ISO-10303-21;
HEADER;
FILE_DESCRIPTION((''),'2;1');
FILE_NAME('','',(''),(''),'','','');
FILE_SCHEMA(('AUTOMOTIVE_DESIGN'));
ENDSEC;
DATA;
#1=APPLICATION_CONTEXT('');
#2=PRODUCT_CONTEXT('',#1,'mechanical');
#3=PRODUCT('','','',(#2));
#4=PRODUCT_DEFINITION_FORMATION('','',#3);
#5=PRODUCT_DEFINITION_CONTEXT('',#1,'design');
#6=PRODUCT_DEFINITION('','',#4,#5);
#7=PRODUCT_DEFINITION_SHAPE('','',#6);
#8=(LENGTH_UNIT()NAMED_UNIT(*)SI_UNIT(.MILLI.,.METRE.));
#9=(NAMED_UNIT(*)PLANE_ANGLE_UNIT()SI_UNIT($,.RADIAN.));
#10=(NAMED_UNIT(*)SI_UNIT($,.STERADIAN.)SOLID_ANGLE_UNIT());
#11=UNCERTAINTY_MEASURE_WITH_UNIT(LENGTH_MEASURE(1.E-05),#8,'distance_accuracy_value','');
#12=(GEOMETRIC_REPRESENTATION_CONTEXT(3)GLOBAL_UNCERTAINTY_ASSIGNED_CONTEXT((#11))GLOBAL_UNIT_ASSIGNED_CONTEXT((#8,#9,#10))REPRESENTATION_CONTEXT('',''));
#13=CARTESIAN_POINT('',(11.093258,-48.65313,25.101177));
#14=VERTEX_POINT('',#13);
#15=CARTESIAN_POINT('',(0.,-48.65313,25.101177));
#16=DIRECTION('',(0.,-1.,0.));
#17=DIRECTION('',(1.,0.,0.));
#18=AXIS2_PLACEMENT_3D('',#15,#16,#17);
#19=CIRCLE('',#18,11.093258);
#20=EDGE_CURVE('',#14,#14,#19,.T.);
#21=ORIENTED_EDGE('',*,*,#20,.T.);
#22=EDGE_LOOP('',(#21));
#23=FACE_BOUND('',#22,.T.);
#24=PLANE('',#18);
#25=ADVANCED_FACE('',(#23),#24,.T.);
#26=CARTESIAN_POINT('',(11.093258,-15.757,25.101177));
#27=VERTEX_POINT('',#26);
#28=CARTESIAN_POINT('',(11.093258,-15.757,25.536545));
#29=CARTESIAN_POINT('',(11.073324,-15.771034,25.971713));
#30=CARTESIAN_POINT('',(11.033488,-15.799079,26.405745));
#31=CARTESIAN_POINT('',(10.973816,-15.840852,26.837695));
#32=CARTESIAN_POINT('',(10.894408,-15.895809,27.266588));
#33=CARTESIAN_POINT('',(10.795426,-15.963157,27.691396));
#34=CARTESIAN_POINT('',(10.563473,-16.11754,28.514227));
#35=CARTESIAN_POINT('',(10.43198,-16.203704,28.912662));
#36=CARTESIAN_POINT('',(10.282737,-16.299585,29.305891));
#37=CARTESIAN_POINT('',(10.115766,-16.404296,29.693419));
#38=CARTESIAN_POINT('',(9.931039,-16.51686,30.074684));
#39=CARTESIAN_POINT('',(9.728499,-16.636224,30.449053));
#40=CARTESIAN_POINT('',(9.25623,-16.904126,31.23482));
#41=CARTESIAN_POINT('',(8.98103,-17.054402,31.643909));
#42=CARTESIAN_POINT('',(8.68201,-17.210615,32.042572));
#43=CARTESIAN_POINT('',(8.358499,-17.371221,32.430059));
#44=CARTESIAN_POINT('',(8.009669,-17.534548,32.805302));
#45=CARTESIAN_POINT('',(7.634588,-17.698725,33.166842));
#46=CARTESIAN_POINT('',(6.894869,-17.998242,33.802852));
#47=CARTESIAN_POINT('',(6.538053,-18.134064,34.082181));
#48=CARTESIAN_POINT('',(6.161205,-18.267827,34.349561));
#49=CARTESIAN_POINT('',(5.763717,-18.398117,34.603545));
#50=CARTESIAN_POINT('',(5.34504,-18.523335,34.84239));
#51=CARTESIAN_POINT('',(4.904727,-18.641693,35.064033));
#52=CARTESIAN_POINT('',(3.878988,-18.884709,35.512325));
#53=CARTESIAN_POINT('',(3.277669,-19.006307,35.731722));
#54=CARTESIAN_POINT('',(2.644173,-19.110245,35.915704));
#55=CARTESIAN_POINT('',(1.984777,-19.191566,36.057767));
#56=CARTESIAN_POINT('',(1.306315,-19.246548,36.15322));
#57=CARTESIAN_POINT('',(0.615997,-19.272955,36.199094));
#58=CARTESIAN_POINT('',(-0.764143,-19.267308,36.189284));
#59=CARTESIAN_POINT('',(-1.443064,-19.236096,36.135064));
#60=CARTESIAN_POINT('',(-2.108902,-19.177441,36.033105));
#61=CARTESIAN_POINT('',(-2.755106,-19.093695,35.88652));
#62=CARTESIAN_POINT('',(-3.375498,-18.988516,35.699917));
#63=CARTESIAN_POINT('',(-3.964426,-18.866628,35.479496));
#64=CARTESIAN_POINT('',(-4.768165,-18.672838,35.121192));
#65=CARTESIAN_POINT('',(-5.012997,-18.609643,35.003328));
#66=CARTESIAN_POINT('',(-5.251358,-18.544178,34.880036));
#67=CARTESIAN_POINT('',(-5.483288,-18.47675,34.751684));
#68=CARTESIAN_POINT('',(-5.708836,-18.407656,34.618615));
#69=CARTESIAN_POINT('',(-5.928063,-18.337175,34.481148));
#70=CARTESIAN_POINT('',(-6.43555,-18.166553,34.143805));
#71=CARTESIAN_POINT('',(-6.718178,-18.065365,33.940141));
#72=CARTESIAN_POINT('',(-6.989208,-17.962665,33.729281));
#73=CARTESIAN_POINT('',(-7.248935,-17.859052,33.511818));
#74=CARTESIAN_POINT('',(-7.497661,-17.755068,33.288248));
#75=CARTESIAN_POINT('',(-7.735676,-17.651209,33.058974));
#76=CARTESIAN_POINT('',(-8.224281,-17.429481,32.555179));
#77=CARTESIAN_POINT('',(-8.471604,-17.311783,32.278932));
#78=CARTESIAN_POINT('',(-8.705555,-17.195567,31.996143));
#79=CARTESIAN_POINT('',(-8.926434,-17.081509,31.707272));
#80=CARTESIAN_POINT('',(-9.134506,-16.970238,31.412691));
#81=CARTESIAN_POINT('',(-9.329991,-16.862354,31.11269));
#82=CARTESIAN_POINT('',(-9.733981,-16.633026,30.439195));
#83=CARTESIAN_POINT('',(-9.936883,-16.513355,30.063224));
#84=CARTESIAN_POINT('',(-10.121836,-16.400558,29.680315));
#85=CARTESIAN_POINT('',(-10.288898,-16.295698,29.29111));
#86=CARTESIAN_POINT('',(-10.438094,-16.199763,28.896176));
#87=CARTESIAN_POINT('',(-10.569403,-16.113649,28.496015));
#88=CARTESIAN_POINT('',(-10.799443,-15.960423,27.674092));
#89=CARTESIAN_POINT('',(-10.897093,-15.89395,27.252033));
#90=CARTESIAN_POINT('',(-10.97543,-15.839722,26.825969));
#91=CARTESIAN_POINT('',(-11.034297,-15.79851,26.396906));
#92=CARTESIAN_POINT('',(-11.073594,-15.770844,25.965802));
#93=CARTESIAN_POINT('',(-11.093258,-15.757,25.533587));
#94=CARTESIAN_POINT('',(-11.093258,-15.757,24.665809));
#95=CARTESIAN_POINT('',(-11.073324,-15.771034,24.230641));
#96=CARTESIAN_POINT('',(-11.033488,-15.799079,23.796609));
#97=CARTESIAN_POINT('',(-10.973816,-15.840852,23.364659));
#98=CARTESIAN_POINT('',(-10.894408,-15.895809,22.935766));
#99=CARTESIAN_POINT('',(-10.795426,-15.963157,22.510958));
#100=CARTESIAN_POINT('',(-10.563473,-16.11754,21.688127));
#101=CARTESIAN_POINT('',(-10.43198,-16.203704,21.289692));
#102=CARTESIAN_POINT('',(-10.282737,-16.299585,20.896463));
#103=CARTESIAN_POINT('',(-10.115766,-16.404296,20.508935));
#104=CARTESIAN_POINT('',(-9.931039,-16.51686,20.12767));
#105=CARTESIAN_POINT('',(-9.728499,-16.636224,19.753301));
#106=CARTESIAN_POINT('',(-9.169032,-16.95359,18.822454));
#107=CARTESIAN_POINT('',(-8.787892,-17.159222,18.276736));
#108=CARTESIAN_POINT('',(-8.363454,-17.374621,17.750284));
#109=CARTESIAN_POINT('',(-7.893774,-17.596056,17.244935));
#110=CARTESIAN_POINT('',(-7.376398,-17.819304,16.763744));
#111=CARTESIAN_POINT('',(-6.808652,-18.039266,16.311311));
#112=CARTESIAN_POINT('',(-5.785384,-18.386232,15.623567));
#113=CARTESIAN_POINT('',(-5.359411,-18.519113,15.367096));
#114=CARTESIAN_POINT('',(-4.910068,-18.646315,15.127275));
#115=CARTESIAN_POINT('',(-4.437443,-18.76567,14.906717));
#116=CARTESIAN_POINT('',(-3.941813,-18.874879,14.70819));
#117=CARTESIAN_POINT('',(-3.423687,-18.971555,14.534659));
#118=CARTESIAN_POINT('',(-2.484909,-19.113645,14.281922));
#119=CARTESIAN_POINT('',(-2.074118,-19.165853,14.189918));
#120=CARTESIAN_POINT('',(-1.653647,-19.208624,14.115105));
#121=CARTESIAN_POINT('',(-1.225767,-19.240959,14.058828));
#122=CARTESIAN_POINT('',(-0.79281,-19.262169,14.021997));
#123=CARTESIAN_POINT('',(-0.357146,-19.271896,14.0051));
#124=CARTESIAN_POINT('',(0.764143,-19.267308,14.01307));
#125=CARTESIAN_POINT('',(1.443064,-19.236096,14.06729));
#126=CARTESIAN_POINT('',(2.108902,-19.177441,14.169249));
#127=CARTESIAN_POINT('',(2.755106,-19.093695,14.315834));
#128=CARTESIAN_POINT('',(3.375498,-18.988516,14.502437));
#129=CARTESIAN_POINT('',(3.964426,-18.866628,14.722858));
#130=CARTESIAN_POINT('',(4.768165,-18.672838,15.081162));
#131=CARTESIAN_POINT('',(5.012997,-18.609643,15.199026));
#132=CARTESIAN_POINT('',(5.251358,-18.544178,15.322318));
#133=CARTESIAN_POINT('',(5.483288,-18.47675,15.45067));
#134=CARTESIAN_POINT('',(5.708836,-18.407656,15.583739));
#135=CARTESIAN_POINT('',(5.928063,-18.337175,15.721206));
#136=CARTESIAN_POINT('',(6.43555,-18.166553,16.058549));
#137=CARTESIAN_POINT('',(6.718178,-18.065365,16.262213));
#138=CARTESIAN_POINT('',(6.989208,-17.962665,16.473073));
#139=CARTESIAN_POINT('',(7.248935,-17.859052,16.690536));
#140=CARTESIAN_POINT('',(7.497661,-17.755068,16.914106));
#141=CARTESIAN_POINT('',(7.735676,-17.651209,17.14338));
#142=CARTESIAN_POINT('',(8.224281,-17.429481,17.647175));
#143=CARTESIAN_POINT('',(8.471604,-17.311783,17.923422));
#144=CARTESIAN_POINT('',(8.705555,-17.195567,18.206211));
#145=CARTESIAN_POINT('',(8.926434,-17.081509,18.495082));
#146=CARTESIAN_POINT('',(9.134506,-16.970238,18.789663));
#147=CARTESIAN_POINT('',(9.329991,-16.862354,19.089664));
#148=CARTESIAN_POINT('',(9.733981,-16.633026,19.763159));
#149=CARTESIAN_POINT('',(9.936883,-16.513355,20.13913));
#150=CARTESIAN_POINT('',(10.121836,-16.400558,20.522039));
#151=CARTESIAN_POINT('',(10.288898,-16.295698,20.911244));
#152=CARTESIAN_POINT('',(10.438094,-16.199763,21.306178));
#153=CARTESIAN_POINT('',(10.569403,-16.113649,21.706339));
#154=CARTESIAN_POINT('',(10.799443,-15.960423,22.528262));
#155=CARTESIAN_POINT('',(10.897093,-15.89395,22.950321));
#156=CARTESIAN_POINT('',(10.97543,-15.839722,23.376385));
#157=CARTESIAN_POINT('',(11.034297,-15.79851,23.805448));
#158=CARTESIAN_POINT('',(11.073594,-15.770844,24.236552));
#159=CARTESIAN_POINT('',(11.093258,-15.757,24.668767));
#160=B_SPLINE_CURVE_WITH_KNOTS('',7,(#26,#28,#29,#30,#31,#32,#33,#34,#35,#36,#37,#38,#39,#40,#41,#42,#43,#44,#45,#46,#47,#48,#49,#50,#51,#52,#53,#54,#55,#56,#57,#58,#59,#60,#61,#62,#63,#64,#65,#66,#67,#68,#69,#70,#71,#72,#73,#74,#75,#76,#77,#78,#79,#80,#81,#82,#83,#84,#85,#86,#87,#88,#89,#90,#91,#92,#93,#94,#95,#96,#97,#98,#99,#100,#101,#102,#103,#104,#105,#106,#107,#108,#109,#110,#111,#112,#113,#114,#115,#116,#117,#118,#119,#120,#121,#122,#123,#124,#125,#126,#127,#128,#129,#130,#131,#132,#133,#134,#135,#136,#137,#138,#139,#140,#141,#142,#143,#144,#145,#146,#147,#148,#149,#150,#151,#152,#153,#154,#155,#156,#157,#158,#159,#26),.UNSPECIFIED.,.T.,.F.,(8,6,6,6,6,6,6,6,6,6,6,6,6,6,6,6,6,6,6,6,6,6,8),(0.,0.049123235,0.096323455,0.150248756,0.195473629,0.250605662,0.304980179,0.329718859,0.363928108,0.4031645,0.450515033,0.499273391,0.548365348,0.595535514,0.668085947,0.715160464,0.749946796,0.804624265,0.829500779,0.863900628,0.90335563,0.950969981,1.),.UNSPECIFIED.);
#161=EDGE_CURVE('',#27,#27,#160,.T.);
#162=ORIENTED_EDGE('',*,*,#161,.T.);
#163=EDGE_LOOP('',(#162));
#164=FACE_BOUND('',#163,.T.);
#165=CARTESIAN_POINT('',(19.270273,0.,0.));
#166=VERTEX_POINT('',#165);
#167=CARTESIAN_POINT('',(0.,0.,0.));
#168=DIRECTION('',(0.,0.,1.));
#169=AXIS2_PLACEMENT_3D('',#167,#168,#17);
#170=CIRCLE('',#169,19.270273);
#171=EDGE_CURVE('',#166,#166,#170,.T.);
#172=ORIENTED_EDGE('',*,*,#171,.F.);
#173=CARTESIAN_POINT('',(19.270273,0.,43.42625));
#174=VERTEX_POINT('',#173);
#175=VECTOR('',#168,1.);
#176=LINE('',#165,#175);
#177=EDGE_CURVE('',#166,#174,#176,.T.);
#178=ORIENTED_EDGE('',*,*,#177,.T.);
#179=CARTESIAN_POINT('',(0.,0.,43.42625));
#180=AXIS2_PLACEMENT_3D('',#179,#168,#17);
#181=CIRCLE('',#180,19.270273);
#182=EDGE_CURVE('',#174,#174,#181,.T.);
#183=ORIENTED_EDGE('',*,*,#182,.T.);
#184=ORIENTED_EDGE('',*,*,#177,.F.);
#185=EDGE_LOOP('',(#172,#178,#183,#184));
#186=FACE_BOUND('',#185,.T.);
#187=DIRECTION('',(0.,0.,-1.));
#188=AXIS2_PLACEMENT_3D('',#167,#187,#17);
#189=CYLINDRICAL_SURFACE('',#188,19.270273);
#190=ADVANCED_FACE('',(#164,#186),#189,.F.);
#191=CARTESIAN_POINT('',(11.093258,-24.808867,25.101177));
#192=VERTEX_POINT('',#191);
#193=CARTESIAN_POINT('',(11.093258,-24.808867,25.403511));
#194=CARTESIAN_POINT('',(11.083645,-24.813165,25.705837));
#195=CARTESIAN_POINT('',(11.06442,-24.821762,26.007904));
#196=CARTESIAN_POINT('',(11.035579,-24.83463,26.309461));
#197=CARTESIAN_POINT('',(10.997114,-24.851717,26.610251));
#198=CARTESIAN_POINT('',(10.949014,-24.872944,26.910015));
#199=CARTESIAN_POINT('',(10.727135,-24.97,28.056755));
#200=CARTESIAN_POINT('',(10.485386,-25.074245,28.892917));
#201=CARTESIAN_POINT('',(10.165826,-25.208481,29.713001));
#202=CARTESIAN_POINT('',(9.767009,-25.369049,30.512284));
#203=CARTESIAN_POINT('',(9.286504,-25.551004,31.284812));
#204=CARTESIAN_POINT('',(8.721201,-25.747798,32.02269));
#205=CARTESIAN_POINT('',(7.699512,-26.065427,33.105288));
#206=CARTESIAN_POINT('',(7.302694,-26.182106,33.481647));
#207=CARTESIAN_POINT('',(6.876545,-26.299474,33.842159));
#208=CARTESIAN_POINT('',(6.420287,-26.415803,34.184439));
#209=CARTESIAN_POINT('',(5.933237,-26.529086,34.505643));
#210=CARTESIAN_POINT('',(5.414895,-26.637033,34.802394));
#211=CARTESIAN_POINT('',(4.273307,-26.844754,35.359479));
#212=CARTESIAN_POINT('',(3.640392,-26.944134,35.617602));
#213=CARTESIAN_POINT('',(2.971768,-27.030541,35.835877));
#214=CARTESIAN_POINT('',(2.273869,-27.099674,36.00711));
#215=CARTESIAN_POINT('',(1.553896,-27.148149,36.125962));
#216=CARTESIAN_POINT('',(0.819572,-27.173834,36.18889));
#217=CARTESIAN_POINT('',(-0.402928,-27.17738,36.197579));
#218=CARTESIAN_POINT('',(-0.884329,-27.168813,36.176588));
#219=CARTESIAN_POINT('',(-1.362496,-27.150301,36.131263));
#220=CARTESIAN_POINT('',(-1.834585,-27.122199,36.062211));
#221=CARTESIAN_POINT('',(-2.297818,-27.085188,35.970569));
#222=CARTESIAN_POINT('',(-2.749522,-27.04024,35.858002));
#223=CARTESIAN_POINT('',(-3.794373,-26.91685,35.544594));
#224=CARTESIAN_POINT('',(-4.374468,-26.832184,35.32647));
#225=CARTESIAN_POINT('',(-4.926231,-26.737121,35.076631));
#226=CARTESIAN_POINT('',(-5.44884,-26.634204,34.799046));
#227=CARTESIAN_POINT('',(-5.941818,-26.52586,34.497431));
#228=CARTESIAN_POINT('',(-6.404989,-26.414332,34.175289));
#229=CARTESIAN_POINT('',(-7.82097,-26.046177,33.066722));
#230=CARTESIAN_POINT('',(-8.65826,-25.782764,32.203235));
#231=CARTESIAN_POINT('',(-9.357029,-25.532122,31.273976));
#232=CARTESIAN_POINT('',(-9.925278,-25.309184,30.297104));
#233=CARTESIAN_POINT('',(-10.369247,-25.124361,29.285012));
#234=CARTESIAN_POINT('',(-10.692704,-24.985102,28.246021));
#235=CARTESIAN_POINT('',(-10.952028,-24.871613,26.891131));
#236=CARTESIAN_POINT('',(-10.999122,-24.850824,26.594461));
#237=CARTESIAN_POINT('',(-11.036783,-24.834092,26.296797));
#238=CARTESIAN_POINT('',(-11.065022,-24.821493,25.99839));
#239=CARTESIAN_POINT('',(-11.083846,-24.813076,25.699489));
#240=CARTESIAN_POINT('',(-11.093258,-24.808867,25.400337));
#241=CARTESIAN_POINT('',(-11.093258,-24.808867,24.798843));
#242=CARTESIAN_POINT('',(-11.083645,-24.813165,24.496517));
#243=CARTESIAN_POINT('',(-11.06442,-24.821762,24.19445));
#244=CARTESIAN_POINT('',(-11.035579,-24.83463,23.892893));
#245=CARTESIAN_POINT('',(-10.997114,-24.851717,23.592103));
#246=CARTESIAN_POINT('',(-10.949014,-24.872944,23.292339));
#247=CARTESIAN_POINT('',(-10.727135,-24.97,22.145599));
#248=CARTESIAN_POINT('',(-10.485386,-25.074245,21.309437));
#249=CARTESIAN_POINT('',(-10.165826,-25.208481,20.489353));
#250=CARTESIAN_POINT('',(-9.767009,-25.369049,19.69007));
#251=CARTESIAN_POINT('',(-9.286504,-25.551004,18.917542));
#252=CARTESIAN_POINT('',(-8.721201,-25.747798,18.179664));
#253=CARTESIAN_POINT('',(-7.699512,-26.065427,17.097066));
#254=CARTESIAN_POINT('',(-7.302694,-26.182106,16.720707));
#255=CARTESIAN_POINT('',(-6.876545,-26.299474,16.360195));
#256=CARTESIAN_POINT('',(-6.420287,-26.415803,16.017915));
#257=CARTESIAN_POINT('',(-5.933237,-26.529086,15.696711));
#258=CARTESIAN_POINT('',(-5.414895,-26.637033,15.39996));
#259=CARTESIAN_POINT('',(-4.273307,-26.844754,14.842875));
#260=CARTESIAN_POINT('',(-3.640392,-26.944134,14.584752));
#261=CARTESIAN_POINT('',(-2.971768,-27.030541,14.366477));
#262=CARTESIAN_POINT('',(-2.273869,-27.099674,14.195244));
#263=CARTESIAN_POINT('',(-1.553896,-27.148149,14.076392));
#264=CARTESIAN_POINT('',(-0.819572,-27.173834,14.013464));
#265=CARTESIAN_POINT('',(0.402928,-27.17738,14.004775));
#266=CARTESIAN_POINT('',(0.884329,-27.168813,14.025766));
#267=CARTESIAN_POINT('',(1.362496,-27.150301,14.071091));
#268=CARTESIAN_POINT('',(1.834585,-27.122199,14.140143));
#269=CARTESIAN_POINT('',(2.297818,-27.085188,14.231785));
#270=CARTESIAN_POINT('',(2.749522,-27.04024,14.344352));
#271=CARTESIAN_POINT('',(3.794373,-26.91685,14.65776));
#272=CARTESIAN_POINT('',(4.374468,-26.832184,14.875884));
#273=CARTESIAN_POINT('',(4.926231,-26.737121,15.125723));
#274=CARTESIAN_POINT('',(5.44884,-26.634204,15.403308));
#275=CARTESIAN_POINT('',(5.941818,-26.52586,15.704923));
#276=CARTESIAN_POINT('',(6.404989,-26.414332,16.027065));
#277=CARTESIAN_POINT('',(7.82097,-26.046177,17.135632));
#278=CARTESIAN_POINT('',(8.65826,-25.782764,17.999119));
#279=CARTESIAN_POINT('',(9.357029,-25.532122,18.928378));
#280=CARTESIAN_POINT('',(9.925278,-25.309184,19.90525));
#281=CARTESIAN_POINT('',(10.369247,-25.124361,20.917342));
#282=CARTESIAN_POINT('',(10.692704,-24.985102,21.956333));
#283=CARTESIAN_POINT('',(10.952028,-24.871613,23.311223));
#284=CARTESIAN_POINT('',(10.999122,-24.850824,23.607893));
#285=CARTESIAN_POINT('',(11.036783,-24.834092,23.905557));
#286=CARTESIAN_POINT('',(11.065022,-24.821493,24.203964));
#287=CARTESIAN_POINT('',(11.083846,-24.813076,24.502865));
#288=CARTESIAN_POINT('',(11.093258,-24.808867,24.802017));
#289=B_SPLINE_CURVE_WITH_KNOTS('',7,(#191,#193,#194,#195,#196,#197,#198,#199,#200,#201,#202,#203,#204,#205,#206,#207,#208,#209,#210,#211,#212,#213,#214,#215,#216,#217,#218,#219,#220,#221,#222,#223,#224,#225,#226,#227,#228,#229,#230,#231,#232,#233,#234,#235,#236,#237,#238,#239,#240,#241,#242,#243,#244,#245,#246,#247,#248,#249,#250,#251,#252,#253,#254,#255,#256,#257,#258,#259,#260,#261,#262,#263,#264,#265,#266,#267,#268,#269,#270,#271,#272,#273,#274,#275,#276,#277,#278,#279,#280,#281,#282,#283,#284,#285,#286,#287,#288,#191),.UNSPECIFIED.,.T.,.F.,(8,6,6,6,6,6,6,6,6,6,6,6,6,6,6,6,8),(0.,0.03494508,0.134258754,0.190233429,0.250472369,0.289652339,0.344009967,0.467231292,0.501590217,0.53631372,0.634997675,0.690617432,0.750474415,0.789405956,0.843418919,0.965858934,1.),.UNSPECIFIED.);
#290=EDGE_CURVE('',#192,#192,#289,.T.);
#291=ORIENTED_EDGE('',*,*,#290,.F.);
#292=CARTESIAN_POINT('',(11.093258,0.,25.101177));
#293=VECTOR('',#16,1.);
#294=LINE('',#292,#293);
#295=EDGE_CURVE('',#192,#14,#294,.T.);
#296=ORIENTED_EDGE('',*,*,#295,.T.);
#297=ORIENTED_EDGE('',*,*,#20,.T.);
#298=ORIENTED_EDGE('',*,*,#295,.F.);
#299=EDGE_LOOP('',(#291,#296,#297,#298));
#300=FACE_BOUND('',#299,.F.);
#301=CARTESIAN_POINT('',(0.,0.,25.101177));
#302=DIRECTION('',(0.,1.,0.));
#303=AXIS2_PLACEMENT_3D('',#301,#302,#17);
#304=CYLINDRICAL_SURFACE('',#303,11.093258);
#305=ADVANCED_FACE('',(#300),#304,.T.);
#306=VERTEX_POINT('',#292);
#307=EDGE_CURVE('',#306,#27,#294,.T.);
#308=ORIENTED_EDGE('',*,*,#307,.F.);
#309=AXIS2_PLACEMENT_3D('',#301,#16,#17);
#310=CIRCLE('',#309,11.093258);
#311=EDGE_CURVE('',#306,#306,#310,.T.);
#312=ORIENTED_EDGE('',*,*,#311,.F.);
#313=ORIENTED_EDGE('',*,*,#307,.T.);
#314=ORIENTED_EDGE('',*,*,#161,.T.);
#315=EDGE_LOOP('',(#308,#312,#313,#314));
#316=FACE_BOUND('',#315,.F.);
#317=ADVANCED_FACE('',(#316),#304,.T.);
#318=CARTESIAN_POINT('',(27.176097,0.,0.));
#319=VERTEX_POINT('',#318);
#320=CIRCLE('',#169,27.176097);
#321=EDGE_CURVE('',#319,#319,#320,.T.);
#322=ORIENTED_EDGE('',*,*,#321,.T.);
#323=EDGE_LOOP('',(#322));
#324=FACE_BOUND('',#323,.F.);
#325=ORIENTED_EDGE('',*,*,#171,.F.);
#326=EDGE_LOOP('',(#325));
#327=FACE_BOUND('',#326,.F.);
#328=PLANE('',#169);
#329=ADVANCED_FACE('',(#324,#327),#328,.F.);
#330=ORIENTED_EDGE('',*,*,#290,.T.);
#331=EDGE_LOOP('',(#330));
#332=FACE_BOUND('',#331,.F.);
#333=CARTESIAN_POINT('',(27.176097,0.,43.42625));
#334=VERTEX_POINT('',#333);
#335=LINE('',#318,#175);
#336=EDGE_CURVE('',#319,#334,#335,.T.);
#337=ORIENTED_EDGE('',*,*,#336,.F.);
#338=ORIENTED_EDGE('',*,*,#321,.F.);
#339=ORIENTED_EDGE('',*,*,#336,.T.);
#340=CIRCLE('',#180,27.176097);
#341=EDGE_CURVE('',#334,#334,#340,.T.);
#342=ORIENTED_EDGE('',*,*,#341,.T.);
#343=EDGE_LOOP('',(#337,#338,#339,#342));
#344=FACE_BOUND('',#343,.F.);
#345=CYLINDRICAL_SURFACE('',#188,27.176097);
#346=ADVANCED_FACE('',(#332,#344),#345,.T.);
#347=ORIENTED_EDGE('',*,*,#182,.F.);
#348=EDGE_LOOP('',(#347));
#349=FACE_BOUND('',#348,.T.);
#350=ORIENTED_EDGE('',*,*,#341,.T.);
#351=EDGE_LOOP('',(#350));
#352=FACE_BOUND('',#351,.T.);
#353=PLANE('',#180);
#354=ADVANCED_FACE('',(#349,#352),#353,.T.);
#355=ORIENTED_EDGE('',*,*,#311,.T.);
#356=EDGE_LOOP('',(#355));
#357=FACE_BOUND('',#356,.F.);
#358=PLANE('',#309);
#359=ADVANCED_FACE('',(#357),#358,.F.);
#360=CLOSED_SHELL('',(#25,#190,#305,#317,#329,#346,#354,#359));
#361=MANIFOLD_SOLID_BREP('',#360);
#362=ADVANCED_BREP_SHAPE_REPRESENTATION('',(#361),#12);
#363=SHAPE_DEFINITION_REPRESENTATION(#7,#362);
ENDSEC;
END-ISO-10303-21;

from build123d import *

# Parameters (mm, degrees)
F0_R     = 27.176097
F0_R_2   = 19.270273
F1_DEPTH = 43.42625
F2_R     = 11.093258
F3_DEPTH = 48.65313


with BuildPart() as f1:
    # F0 (on Top) → F1 (new body)
    with BuildSketch(Plane.XY):
        Circle(F0_R)
        Circle(F0_R_2, mode=Mode.SUBTRACT)
    extrude(amount=F1_DEPTH)

    # F2 (on Front) → F3 (join)
    with BuildSketch(Plane.XZ):
        with Locations((0, 25.101177)):
            Circle(F2_R)
    extrude(amount=F3_DEPTH)


solid = f1.part
